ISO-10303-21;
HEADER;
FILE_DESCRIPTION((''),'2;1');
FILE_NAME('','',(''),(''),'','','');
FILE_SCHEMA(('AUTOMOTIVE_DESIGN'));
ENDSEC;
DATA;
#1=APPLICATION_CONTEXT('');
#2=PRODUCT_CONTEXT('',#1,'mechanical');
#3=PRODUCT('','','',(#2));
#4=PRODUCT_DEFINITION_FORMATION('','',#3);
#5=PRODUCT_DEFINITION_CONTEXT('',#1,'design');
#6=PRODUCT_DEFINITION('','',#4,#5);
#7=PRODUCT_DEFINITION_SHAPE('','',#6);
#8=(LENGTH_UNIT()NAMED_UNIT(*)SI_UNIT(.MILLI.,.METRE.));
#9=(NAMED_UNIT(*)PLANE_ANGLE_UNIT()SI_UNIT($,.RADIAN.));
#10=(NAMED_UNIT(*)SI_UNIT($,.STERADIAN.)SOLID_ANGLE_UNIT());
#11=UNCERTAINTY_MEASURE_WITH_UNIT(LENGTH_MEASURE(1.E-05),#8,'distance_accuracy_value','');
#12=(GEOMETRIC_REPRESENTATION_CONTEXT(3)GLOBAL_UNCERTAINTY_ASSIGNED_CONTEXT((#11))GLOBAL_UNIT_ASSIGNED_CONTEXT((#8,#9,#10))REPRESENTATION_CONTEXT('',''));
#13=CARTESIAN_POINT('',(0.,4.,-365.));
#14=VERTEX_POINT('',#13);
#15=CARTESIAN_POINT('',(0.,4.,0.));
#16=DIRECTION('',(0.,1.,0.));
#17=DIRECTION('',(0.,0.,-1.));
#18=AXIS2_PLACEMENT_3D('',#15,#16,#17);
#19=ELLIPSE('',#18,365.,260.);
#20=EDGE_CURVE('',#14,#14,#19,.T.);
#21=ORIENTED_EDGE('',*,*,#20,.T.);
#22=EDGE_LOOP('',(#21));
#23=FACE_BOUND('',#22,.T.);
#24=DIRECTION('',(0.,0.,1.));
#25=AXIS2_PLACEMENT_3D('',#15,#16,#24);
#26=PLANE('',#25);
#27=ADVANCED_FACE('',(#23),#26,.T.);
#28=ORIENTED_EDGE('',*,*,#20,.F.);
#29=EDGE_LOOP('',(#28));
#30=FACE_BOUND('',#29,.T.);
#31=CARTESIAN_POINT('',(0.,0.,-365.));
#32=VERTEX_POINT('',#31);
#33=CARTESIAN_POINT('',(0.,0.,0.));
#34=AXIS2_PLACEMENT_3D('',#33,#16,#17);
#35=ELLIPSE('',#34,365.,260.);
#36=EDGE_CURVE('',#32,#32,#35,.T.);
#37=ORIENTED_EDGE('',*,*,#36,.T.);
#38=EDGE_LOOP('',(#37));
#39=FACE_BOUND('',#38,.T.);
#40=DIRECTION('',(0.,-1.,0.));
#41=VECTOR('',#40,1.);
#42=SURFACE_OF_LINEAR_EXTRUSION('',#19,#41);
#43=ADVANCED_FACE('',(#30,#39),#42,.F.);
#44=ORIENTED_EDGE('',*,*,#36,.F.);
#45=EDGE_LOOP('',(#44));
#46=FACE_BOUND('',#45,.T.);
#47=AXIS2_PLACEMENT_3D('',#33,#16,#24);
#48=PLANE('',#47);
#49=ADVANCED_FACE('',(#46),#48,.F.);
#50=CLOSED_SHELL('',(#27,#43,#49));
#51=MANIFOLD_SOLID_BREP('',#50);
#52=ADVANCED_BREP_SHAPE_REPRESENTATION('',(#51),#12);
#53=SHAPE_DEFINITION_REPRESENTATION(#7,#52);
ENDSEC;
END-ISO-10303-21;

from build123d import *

# Parameters (mm, degrees)
SKETCH1_RX          = 365
SKETCH1_RY          = 260
BOSS_EXTRUDE1_DEPTH = 4


with BuildPart() as part:
    # Sketch1 → Boss-Extrude1 (new body)
    with BuildSketch(Plane(origin=(0, 0, 0), x_dir=(1, 0, 0), z_dir=(0, 1, 0))):
        with Locations(Location((0, 0), (0, 0, 90))):
            Ellipse(SKETCH1_RX, SKETCH1_RY)
    extrude(amount=BOSS_EXTRUDE1_DEPTH)


solid = part.part
